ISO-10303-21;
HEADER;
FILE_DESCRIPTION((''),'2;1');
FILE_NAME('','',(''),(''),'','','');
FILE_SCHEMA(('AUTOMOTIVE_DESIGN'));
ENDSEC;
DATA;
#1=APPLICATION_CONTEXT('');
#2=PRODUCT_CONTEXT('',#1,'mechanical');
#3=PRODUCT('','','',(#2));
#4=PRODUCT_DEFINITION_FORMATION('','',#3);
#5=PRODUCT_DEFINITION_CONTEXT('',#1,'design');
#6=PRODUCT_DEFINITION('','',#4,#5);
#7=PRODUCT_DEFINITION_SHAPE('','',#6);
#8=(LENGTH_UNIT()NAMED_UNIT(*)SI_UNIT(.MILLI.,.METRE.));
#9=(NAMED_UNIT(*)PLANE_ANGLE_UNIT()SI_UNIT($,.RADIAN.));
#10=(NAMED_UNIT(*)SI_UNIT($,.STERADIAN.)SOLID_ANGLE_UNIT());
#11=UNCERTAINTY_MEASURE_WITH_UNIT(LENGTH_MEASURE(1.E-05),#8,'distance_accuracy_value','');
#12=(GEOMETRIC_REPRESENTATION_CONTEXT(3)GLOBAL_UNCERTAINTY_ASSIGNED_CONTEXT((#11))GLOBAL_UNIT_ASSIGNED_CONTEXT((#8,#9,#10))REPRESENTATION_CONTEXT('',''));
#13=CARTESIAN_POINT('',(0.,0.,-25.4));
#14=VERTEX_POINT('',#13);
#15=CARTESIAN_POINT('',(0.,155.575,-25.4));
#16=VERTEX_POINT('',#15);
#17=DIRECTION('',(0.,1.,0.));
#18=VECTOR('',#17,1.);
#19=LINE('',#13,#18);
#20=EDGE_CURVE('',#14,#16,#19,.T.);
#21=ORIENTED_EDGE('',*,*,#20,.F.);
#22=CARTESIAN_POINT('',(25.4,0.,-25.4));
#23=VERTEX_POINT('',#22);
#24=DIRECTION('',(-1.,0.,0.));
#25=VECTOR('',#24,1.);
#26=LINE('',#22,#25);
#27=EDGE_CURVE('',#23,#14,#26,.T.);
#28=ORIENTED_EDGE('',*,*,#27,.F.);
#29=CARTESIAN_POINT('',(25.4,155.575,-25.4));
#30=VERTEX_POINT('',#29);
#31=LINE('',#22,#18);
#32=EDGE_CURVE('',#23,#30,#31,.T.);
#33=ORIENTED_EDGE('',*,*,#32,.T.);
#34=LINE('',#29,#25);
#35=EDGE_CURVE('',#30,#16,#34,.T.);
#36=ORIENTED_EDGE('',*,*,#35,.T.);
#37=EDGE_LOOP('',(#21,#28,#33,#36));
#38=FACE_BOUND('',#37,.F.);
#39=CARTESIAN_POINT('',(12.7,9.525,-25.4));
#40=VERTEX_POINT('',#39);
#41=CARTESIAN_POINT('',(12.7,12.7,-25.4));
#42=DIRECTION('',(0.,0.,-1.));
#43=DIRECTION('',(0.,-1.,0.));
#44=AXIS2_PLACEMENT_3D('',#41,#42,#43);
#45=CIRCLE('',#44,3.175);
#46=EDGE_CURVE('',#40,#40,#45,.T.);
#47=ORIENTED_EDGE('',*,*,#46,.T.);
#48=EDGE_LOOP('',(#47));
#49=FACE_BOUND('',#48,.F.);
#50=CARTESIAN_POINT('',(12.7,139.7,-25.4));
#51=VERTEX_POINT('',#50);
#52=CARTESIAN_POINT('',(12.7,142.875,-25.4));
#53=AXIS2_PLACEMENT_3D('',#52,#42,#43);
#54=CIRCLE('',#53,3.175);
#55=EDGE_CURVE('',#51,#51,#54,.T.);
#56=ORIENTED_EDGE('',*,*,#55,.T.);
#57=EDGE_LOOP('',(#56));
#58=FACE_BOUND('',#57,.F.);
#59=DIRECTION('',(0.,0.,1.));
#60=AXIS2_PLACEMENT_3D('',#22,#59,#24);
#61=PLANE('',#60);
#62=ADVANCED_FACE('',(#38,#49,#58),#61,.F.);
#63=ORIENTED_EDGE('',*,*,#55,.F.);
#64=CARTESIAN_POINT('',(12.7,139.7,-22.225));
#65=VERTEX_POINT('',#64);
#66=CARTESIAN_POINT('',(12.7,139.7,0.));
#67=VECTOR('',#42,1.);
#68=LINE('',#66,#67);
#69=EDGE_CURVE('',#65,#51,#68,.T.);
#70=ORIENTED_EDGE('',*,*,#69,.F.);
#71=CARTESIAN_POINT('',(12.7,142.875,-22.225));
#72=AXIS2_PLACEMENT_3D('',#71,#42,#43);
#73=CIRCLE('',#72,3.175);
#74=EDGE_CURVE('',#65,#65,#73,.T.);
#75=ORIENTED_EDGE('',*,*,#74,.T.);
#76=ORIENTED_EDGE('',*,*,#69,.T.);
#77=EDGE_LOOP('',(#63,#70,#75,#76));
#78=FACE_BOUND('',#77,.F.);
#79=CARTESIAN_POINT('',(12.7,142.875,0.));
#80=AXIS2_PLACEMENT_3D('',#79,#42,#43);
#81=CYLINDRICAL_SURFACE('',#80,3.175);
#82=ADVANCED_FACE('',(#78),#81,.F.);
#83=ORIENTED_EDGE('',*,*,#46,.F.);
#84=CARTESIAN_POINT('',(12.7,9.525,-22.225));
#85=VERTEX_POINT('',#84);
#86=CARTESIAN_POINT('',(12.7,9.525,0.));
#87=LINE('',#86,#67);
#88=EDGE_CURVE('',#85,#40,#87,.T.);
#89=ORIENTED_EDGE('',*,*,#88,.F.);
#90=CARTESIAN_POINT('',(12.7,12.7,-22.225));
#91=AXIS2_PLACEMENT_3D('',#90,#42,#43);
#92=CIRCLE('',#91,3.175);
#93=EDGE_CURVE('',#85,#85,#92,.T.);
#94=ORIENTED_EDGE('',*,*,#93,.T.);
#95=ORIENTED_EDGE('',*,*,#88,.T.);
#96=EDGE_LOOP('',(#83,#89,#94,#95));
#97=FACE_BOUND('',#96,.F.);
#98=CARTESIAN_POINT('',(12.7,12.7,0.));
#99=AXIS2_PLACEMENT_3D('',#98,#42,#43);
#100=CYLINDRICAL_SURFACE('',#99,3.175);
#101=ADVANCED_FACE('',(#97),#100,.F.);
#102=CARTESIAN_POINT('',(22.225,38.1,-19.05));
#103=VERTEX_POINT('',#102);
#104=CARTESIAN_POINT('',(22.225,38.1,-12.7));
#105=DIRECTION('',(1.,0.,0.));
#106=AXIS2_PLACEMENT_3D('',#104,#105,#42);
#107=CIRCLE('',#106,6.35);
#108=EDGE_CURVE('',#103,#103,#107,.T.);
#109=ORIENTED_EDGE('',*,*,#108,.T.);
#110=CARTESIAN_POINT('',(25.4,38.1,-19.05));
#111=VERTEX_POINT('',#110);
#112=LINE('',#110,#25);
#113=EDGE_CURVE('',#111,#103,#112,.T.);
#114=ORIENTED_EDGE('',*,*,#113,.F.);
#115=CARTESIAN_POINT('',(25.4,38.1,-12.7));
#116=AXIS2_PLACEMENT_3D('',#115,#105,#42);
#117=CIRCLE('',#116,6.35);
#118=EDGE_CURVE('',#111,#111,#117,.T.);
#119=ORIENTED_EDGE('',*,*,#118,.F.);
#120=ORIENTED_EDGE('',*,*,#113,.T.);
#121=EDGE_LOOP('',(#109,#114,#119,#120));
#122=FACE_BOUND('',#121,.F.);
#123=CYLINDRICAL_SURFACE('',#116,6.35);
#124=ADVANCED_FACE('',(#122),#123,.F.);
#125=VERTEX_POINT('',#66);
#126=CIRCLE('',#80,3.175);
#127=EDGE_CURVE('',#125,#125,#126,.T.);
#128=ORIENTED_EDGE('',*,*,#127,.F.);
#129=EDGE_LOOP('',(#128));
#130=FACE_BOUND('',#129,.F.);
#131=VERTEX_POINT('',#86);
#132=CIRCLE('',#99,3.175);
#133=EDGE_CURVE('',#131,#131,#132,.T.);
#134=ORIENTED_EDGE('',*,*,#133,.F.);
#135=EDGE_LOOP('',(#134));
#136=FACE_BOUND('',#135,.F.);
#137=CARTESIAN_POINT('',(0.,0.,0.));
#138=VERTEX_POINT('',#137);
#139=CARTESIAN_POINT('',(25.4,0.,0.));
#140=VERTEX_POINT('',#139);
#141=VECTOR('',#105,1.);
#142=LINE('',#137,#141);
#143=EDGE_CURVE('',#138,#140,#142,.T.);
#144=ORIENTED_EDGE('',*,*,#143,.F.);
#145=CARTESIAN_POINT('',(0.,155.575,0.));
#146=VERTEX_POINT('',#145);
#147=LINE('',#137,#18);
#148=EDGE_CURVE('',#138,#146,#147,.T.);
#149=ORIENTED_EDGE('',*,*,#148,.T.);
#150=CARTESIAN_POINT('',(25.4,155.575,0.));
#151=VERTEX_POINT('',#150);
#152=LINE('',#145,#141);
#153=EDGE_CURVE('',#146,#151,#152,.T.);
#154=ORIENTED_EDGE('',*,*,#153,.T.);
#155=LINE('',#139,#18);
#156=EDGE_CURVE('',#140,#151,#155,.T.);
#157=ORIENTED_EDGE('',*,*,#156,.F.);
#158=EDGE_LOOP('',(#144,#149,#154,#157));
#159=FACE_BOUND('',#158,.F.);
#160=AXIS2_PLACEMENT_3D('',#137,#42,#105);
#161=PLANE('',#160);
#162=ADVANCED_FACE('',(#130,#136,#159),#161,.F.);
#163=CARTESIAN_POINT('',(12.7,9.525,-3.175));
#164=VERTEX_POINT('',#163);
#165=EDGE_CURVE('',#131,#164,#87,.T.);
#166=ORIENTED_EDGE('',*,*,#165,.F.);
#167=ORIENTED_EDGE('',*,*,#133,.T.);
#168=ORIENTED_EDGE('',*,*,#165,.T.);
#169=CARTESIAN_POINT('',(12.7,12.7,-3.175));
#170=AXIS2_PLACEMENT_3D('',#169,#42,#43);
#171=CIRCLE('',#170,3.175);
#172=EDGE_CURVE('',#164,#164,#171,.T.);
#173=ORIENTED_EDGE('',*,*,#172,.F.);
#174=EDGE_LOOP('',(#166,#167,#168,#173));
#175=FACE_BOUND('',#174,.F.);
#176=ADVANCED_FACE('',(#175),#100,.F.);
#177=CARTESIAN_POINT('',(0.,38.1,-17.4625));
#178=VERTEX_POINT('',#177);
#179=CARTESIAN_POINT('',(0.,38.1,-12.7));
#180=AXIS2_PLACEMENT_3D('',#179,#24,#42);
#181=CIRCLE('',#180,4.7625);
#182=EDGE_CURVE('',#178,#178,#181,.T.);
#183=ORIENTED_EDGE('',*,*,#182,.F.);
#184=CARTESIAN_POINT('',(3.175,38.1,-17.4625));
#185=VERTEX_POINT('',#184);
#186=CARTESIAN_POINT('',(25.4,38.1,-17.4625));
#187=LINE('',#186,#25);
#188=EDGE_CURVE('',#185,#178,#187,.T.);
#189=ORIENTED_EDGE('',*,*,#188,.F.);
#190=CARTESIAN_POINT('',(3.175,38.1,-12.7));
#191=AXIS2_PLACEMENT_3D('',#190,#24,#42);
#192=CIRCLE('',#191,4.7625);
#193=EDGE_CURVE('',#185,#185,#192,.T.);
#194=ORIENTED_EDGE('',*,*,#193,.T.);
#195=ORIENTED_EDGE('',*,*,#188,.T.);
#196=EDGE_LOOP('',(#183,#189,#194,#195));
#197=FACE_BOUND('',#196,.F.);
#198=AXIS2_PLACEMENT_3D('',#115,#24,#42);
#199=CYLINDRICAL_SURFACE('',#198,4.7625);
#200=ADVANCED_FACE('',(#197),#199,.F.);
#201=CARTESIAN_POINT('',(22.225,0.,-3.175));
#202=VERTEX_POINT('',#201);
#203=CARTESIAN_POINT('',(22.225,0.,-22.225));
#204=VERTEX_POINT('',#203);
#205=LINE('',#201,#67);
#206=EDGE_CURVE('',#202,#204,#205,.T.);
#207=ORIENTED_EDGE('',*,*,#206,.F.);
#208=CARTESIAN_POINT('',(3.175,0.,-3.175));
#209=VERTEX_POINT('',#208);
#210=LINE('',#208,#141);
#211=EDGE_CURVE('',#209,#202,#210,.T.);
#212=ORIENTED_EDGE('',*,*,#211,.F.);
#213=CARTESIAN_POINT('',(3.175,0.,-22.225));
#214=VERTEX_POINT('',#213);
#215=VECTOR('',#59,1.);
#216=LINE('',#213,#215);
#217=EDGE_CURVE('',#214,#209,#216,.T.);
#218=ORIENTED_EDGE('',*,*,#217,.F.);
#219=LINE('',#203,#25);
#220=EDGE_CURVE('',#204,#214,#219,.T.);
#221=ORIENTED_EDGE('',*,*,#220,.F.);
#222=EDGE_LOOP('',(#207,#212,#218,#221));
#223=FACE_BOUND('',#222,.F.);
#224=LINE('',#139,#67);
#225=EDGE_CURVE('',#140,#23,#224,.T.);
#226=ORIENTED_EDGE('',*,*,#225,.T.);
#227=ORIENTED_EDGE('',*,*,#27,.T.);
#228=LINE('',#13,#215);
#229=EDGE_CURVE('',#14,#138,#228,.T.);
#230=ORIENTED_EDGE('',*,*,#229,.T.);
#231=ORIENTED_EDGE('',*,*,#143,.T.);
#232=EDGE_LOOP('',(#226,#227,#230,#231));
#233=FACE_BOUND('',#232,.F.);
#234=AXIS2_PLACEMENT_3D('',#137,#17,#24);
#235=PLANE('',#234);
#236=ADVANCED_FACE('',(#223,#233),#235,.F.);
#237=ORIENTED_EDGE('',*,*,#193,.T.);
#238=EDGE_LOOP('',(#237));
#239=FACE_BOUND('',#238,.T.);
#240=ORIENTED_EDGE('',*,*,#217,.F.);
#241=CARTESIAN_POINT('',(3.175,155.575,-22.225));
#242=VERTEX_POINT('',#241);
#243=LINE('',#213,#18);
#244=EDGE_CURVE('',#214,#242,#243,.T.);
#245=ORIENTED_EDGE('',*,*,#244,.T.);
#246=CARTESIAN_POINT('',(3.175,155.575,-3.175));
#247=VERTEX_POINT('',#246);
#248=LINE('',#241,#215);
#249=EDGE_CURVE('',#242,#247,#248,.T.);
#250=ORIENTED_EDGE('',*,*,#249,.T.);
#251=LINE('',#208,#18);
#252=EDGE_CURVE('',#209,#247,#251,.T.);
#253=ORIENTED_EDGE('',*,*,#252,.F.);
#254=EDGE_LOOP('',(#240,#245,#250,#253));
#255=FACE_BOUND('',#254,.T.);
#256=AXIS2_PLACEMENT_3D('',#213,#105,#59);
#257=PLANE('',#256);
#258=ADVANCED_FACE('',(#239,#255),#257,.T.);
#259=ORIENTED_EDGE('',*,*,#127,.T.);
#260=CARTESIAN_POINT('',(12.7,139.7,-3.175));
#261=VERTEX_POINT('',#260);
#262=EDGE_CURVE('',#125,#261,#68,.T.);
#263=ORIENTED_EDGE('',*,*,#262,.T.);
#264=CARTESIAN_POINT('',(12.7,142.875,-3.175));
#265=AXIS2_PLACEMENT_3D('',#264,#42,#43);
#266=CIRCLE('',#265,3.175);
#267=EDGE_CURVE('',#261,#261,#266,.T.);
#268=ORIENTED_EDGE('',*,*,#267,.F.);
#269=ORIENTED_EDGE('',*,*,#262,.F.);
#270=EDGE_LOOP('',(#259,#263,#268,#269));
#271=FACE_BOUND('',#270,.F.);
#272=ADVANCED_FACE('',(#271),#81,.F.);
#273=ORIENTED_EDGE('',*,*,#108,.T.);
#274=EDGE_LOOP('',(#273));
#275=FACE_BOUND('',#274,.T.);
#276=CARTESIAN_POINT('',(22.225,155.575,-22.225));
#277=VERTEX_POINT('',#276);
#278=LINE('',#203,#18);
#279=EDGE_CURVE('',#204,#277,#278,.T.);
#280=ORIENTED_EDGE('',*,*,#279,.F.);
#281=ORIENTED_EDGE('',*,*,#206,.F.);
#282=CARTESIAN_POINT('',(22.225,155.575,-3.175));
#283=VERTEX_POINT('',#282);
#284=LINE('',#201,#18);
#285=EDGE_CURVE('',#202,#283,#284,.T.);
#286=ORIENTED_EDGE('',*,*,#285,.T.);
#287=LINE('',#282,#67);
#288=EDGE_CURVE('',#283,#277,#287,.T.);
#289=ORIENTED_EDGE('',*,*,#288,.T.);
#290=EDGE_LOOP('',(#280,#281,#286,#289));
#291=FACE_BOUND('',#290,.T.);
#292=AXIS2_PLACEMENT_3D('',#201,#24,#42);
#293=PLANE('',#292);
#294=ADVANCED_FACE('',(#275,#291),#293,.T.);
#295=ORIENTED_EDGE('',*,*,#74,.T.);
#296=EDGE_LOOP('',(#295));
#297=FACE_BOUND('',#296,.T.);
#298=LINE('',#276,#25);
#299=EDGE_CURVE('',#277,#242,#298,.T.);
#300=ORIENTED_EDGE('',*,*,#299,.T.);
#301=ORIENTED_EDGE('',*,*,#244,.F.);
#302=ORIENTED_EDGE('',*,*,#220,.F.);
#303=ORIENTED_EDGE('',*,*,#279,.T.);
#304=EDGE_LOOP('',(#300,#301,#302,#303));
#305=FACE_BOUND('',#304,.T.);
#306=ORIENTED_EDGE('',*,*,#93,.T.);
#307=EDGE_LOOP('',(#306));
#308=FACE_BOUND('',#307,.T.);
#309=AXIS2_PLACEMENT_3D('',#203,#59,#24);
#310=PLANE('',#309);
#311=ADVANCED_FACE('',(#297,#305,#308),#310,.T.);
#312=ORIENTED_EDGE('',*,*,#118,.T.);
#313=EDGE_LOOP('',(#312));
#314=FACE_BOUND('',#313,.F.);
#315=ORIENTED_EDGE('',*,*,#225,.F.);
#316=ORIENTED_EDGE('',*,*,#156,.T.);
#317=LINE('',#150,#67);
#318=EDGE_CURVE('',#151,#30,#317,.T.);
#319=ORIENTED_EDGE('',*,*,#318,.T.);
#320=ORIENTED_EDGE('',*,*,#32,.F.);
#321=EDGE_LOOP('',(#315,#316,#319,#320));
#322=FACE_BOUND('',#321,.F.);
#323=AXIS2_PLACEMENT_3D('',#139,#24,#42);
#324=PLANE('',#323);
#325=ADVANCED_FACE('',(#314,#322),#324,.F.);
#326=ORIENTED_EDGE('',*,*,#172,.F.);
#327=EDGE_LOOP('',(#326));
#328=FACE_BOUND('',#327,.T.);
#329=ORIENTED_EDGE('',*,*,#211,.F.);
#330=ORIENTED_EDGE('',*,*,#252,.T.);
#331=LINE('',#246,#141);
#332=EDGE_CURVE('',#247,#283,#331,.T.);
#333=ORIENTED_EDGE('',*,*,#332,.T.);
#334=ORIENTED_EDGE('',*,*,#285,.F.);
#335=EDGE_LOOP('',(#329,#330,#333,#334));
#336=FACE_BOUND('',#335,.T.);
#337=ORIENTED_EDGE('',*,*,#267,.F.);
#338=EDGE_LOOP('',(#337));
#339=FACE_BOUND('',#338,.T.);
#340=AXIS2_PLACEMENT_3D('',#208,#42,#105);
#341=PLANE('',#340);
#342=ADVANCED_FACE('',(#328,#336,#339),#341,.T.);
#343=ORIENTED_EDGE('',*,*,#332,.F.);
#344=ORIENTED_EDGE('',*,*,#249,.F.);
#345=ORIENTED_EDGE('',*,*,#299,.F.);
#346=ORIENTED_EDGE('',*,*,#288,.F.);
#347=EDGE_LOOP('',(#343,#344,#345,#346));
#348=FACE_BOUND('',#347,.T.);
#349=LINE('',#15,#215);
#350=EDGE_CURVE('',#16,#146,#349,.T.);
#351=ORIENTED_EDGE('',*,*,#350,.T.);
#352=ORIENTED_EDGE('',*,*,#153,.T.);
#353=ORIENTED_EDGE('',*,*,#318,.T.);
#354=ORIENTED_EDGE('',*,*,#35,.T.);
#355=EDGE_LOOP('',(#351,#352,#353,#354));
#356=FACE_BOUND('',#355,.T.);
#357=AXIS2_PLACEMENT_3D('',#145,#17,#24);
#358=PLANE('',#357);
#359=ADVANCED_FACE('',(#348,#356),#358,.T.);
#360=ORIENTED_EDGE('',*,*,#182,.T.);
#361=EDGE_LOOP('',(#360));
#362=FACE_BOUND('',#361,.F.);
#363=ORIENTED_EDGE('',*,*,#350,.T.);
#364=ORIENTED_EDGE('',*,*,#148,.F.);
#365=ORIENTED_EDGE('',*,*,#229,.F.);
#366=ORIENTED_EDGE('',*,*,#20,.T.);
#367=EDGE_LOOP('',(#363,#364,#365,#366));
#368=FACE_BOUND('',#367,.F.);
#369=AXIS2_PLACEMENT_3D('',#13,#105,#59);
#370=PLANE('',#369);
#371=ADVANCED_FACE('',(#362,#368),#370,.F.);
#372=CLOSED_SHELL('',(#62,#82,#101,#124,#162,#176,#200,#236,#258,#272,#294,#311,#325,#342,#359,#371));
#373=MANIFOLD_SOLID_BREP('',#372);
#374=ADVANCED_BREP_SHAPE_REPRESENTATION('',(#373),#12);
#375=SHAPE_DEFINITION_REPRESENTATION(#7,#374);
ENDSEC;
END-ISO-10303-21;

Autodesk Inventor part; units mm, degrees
ref_plane "YZ Plane" through (0, 0, 0) normal (1, 0, 0) x (0, 1, 0)
ref_plane "XZ Plane" through (0, 0, 0) normal (0, 1, 0) x (-1, 0, 0)
ref_plane "XY Plane" through (0, 0, 0) normal (0, 0, 1) x (1, 0, 0)
sketch "Sketch1" plane through (0, 0, 0) normal (0, 1, 0) x (-1, 0, 0)
  line L0 (0, 0) -> (-25.4, 0)
  line L1 (-25.4, 0) -> (-25.4, -25.4)
  line L2 (-25.4, -25.4) -> (0, -25.4)
  line L3 (0, -25.4) -> (0, 0)
  line L4 (-3.175, -3.175) -> (-22.225, -3.175)
  line L5 (-22.225, -3.175) -> (-22.225, -22.225)
  line L6 (-22.225, -22.225) -> (-3.175, -22.225)
  line L7 (-3.175, -22.225) -> (-3.175, -3.175)
  dimension "d0" = 25.4
  dimension "d1" = 25.4
  dimension "d2" = 19.05
  dimension "d3" = 19.05
  dimension "d4" = 3.175
  dimension "d5" = 3.175
extrude "Extrusion1" add sketch "Sketch1" along normal blind 155.575
sketch "Sketch2" plane through (0, 0, 0) normal (0, 0, 1) x (1, 0, 0)
  line L0 (0, 0) -> (25.4, 0) projected
  line L1 (0, 155.575) -> (25.4, 155.575) projected
  line L2 (0, 0) -> (0, 155.575) projected
  point P0 (12.7, 142.875)
  point P1 (12.7, 12.7)
  dimension "d8" = 12.7
  dimension "d9" = 12.7
  dimension "d10" = 12.7
  dimension "d11" = 12.7
hole "Hole1" at (12.7, 142.875, 0) at (12.7, 12.7, 0) direction (0, 0, -1) diameter 6.35 end through all
sketch "Sketch3" plane through (25.4, 0, 0) normal (1, 0, 0) x (0, 0, -1)
  line L0 (0, 0) -> (25.4, 0) projected
  line L1 (0, 0) -> (0, 155.575) projected
  point P0 (12.7, 38.1)
  dimension "d21" = 12.7
  dimension "d22" = 38.1
hole "Hole2" at (25.4, 38.1, -12.7) direction (-1, 0, 0) diameter 9.525 end through all
sketch "Sketch6" plane through (25.4, 0, 0) normal (1, 0, 0) x (0, 0, -1)
  circle A0 centre (12.7, 38.1) radius 4.7625 projected
  circle A1 centre (12.7, 38.1) radius 6.35
  dimension "d54" = 12.7
extrude "Extrusion2" cut sketch "Sketch6" against normal blind 12.7
properties part number "1x1 vertical" material "Aluminum 6061"
